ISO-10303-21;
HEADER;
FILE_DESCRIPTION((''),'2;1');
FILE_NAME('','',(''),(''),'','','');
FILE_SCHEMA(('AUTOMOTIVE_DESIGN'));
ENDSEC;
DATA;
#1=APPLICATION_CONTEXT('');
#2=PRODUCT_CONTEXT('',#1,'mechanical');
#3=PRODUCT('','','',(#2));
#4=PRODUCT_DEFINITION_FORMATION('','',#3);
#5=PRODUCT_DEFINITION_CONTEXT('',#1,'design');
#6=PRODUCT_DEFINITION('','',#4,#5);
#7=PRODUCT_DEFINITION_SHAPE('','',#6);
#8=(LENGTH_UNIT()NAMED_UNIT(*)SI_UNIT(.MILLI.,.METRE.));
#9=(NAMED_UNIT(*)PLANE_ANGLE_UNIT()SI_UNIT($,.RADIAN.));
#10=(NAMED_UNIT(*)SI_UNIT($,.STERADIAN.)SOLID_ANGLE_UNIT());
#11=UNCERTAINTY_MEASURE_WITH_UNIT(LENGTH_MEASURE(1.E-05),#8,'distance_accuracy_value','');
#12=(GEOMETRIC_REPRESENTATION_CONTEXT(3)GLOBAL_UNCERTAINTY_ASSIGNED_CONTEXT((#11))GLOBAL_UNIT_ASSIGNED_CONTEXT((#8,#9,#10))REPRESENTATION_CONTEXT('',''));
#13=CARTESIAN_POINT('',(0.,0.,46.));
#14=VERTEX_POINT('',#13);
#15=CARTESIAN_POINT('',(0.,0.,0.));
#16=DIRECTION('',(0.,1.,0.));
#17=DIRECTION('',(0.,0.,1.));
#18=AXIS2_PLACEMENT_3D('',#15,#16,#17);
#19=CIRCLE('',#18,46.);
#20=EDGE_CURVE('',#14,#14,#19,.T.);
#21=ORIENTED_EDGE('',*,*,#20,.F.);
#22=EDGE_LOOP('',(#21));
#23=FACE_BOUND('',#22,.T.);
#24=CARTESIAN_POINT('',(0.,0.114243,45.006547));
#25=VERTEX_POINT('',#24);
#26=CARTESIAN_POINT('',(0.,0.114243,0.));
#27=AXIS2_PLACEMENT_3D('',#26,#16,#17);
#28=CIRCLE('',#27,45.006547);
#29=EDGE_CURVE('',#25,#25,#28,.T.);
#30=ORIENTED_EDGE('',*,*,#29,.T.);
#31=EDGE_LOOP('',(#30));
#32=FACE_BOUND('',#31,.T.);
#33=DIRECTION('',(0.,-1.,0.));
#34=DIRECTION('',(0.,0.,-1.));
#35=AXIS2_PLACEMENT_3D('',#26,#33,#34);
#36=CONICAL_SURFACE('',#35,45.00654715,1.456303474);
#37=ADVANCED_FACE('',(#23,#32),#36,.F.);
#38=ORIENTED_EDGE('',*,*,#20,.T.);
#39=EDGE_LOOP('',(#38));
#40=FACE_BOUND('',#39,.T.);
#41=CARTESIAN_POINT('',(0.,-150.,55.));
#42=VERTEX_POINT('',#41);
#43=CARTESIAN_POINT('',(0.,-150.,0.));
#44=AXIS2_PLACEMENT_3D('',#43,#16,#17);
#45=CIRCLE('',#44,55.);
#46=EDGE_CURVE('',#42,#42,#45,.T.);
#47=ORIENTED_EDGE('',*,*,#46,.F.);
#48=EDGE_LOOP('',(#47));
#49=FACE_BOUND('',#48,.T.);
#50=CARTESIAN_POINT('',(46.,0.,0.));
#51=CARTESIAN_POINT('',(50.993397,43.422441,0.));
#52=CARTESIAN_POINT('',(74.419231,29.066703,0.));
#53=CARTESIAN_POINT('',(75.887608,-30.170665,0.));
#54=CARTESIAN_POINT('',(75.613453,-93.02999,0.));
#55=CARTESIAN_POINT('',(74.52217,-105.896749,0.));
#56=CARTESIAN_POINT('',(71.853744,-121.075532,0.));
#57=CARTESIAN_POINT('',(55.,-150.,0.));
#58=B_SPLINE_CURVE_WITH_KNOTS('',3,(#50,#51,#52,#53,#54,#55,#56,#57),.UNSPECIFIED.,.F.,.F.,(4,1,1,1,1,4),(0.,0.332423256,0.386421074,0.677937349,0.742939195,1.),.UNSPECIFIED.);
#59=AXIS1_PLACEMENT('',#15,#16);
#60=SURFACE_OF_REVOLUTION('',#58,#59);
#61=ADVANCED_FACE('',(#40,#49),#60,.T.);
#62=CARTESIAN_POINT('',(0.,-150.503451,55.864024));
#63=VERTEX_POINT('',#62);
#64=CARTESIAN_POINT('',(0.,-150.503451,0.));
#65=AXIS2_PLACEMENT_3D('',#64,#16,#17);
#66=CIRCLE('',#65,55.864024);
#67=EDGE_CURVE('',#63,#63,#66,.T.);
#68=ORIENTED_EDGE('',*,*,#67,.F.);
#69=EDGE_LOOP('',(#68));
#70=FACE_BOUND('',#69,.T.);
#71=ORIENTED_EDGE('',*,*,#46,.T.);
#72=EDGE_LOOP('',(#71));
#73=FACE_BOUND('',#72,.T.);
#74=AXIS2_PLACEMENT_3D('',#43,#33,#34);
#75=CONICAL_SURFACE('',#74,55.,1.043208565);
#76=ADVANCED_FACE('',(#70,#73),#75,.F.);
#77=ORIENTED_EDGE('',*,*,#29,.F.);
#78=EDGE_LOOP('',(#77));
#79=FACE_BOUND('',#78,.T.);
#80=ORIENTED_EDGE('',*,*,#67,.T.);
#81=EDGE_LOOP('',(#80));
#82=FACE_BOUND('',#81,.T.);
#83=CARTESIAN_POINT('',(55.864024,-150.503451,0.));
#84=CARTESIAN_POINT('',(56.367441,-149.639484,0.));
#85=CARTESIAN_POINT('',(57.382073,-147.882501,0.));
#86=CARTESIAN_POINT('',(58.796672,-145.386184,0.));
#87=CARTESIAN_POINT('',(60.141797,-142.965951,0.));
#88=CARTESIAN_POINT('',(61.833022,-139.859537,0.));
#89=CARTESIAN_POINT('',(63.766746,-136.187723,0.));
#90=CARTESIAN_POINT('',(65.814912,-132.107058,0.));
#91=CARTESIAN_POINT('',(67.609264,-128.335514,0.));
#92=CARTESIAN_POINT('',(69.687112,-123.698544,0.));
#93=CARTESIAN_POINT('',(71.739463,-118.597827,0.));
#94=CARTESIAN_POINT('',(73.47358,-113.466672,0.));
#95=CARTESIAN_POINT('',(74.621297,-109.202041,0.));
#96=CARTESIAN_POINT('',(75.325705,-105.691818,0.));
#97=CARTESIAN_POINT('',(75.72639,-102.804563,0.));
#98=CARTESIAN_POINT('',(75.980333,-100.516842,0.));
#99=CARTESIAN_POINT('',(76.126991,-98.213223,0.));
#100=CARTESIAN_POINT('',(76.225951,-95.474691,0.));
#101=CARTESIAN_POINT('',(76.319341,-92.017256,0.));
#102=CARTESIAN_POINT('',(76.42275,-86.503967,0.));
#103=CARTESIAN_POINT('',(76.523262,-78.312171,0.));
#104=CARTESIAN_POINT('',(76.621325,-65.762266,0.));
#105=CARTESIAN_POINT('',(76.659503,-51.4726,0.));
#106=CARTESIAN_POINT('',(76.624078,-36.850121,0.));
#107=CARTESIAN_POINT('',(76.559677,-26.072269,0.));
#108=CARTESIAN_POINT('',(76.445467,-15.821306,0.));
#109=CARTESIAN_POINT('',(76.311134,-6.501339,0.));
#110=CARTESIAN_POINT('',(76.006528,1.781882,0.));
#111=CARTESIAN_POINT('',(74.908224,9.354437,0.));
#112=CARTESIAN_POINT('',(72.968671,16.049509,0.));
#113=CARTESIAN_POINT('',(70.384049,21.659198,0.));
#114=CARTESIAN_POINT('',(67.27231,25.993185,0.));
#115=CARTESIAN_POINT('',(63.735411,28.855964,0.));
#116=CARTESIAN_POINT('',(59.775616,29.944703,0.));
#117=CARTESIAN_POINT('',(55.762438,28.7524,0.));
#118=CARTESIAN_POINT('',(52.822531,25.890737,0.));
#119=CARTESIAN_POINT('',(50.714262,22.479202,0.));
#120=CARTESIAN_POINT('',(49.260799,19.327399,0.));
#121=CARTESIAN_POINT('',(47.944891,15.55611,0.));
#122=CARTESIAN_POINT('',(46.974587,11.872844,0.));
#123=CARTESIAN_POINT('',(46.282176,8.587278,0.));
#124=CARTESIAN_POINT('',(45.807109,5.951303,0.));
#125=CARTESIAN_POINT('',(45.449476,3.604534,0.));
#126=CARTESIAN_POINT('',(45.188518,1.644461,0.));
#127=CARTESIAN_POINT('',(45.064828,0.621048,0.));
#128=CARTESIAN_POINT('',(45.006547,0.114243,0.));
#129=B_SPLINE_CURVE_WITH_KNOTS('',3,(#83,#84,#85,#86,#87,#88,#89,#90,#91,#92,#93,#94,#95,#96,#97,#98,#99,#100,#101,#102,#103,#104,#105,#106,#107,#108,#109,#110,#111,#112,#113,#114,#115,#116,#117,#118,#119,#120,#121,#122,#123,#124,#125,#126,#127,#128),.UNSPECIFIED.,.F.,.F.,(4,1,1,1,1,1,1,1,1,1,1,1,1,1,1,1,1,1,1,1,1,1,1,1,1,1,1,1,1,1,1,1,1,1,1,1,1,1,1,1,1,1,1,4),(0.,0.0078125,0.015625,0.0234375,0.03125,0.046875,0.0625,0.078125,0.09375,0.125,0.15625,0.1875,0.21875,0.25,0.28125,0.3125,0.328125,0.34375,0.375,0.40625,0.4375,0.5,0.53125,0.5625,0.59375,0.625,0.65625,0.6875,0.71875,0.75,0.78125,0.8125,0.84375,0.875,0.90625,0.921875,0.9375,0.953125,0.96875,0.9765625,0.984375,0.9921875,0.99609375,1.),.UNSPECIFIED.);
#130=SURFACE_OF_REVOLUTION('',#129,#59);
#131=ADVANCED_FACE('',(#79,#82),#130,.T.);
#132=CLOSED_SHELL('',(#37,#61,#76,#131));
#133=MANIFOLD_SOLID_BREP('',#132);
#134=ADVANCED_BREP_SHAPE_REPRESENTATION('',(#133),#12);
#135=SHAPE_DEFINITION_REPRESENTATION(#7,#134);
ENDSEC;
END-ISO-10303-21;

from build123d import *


with BuildPart() as part:
    # Sketch1 → Revolve1 (revolve)
    with BuildSketch(Plane.XY, mode=Mode.PRIVATE) as revolve1_sk:
        with BuildLine():
            Line((55, -150), (55.864024026, -150.503450576))
            add(Edge.make_bspline(
                [(45.00654715, 0.114242876), (45.06482757, 0.621047776), (45.18851775, 1.644460519), (45.449476223, 3.604534474), (45.807109076, 5.951302739), (46.282175802, 8.587277687), (46.974586794, 11.87284442), (47.944891454, 15.556110412), (49.260798878, 19.327399197), (50.71426174, 22.479202135), (52.822531276, 25.890737105), (55.762438214, 28.752400148), (59.775616352, 29.944703091), (63.735411013, 28.855964426), (67.272310325, 25.993185479), (70.384049491, 21.659198301), (72.968670827, 16.049508725), (74.908223827, 9.354436921), (76.006528055, 1.781881661), (76.311133894, -6.501339013), (76.445466907, -15.82130644), (76.559676902, -26.07226948), (76.624078217, -36.850121223), (76.659503219, -51.472599903), (76.621324876, -65.762266047), (76.523261527, -78.31217141), (76.422750358, -86.503967208), (76.319341067, -92.017255526), (76.225951493, -95.474691226), (76.126991356, -98.213222787), (75.980332868, -100.516841803), (75.726389583, -102.804562872), (75.32570475, -105.691817603), (74.621297046, -109.202041189), (73.473579764, -113.466672248), (71.73946293, -118.597826519), (69.687111884, -123.698544356), (67.609264094, -128.335514056), (65.814911511, -132.10705832), (63.766745899, -136.187722813), (61.833022305, -139.85953744), (60.141797292, -142.965951038), (58.796671742, -145.386184345), (57.382072923, -147.882500868), (56.367441397, -149.639483537), (55.864024026, -150.503450576)],
                knots=[0, 0, 0, 0, 0.00390625, 0.0078125, 0.015625, 0.0234375, 0.03125, 0.046875, 0.0625, 0.078125, 0.09375, 0.125, 0.15625, 0.1875, 0.21875, 0.25, 0.28125, 0.3125, 0.34375, 0.375, 0.40625, 0.4375, 0.46875, 0.5, 0.5625, 0.59375, 0.625, 0.65625, 0.671875, 0.6875, 0.71875, 0.75, 0.78125, 0.8125, 0.84375, 0.875, 0.90625, 0.921875, 0.9375, 0.953125, 0.96875, 0.9765625, 0.984375, 0.9921875, 1, 1, 1, 1], degree=3))
            Line((45.00654715, 0.114242876), (46, 0))
            add(Edge.make_bspline(
                [(46, 0), (50.9933971, 43.422441349), (74.419231037, 29.066702517), (75.887608065, -30.170664842), (75.613452989, -93.029990368), (74.522170097, -105.896749327), (71.853744098, -121.075532478), (55, -150)],
                knots=[0, 0, 0, 0, 0.332423256, 0.386421074, 0.677937349, 0.742939195, 1, 1, 1, 1], degree=3))
        make_face()
    revolve(revolve1_sk.sketch.rotate(Axis((0, 0, 0), (0, -1, 0)), 90), axis=Axis((0, 0, 0), (0, -1, 0)))


solid = part.part
